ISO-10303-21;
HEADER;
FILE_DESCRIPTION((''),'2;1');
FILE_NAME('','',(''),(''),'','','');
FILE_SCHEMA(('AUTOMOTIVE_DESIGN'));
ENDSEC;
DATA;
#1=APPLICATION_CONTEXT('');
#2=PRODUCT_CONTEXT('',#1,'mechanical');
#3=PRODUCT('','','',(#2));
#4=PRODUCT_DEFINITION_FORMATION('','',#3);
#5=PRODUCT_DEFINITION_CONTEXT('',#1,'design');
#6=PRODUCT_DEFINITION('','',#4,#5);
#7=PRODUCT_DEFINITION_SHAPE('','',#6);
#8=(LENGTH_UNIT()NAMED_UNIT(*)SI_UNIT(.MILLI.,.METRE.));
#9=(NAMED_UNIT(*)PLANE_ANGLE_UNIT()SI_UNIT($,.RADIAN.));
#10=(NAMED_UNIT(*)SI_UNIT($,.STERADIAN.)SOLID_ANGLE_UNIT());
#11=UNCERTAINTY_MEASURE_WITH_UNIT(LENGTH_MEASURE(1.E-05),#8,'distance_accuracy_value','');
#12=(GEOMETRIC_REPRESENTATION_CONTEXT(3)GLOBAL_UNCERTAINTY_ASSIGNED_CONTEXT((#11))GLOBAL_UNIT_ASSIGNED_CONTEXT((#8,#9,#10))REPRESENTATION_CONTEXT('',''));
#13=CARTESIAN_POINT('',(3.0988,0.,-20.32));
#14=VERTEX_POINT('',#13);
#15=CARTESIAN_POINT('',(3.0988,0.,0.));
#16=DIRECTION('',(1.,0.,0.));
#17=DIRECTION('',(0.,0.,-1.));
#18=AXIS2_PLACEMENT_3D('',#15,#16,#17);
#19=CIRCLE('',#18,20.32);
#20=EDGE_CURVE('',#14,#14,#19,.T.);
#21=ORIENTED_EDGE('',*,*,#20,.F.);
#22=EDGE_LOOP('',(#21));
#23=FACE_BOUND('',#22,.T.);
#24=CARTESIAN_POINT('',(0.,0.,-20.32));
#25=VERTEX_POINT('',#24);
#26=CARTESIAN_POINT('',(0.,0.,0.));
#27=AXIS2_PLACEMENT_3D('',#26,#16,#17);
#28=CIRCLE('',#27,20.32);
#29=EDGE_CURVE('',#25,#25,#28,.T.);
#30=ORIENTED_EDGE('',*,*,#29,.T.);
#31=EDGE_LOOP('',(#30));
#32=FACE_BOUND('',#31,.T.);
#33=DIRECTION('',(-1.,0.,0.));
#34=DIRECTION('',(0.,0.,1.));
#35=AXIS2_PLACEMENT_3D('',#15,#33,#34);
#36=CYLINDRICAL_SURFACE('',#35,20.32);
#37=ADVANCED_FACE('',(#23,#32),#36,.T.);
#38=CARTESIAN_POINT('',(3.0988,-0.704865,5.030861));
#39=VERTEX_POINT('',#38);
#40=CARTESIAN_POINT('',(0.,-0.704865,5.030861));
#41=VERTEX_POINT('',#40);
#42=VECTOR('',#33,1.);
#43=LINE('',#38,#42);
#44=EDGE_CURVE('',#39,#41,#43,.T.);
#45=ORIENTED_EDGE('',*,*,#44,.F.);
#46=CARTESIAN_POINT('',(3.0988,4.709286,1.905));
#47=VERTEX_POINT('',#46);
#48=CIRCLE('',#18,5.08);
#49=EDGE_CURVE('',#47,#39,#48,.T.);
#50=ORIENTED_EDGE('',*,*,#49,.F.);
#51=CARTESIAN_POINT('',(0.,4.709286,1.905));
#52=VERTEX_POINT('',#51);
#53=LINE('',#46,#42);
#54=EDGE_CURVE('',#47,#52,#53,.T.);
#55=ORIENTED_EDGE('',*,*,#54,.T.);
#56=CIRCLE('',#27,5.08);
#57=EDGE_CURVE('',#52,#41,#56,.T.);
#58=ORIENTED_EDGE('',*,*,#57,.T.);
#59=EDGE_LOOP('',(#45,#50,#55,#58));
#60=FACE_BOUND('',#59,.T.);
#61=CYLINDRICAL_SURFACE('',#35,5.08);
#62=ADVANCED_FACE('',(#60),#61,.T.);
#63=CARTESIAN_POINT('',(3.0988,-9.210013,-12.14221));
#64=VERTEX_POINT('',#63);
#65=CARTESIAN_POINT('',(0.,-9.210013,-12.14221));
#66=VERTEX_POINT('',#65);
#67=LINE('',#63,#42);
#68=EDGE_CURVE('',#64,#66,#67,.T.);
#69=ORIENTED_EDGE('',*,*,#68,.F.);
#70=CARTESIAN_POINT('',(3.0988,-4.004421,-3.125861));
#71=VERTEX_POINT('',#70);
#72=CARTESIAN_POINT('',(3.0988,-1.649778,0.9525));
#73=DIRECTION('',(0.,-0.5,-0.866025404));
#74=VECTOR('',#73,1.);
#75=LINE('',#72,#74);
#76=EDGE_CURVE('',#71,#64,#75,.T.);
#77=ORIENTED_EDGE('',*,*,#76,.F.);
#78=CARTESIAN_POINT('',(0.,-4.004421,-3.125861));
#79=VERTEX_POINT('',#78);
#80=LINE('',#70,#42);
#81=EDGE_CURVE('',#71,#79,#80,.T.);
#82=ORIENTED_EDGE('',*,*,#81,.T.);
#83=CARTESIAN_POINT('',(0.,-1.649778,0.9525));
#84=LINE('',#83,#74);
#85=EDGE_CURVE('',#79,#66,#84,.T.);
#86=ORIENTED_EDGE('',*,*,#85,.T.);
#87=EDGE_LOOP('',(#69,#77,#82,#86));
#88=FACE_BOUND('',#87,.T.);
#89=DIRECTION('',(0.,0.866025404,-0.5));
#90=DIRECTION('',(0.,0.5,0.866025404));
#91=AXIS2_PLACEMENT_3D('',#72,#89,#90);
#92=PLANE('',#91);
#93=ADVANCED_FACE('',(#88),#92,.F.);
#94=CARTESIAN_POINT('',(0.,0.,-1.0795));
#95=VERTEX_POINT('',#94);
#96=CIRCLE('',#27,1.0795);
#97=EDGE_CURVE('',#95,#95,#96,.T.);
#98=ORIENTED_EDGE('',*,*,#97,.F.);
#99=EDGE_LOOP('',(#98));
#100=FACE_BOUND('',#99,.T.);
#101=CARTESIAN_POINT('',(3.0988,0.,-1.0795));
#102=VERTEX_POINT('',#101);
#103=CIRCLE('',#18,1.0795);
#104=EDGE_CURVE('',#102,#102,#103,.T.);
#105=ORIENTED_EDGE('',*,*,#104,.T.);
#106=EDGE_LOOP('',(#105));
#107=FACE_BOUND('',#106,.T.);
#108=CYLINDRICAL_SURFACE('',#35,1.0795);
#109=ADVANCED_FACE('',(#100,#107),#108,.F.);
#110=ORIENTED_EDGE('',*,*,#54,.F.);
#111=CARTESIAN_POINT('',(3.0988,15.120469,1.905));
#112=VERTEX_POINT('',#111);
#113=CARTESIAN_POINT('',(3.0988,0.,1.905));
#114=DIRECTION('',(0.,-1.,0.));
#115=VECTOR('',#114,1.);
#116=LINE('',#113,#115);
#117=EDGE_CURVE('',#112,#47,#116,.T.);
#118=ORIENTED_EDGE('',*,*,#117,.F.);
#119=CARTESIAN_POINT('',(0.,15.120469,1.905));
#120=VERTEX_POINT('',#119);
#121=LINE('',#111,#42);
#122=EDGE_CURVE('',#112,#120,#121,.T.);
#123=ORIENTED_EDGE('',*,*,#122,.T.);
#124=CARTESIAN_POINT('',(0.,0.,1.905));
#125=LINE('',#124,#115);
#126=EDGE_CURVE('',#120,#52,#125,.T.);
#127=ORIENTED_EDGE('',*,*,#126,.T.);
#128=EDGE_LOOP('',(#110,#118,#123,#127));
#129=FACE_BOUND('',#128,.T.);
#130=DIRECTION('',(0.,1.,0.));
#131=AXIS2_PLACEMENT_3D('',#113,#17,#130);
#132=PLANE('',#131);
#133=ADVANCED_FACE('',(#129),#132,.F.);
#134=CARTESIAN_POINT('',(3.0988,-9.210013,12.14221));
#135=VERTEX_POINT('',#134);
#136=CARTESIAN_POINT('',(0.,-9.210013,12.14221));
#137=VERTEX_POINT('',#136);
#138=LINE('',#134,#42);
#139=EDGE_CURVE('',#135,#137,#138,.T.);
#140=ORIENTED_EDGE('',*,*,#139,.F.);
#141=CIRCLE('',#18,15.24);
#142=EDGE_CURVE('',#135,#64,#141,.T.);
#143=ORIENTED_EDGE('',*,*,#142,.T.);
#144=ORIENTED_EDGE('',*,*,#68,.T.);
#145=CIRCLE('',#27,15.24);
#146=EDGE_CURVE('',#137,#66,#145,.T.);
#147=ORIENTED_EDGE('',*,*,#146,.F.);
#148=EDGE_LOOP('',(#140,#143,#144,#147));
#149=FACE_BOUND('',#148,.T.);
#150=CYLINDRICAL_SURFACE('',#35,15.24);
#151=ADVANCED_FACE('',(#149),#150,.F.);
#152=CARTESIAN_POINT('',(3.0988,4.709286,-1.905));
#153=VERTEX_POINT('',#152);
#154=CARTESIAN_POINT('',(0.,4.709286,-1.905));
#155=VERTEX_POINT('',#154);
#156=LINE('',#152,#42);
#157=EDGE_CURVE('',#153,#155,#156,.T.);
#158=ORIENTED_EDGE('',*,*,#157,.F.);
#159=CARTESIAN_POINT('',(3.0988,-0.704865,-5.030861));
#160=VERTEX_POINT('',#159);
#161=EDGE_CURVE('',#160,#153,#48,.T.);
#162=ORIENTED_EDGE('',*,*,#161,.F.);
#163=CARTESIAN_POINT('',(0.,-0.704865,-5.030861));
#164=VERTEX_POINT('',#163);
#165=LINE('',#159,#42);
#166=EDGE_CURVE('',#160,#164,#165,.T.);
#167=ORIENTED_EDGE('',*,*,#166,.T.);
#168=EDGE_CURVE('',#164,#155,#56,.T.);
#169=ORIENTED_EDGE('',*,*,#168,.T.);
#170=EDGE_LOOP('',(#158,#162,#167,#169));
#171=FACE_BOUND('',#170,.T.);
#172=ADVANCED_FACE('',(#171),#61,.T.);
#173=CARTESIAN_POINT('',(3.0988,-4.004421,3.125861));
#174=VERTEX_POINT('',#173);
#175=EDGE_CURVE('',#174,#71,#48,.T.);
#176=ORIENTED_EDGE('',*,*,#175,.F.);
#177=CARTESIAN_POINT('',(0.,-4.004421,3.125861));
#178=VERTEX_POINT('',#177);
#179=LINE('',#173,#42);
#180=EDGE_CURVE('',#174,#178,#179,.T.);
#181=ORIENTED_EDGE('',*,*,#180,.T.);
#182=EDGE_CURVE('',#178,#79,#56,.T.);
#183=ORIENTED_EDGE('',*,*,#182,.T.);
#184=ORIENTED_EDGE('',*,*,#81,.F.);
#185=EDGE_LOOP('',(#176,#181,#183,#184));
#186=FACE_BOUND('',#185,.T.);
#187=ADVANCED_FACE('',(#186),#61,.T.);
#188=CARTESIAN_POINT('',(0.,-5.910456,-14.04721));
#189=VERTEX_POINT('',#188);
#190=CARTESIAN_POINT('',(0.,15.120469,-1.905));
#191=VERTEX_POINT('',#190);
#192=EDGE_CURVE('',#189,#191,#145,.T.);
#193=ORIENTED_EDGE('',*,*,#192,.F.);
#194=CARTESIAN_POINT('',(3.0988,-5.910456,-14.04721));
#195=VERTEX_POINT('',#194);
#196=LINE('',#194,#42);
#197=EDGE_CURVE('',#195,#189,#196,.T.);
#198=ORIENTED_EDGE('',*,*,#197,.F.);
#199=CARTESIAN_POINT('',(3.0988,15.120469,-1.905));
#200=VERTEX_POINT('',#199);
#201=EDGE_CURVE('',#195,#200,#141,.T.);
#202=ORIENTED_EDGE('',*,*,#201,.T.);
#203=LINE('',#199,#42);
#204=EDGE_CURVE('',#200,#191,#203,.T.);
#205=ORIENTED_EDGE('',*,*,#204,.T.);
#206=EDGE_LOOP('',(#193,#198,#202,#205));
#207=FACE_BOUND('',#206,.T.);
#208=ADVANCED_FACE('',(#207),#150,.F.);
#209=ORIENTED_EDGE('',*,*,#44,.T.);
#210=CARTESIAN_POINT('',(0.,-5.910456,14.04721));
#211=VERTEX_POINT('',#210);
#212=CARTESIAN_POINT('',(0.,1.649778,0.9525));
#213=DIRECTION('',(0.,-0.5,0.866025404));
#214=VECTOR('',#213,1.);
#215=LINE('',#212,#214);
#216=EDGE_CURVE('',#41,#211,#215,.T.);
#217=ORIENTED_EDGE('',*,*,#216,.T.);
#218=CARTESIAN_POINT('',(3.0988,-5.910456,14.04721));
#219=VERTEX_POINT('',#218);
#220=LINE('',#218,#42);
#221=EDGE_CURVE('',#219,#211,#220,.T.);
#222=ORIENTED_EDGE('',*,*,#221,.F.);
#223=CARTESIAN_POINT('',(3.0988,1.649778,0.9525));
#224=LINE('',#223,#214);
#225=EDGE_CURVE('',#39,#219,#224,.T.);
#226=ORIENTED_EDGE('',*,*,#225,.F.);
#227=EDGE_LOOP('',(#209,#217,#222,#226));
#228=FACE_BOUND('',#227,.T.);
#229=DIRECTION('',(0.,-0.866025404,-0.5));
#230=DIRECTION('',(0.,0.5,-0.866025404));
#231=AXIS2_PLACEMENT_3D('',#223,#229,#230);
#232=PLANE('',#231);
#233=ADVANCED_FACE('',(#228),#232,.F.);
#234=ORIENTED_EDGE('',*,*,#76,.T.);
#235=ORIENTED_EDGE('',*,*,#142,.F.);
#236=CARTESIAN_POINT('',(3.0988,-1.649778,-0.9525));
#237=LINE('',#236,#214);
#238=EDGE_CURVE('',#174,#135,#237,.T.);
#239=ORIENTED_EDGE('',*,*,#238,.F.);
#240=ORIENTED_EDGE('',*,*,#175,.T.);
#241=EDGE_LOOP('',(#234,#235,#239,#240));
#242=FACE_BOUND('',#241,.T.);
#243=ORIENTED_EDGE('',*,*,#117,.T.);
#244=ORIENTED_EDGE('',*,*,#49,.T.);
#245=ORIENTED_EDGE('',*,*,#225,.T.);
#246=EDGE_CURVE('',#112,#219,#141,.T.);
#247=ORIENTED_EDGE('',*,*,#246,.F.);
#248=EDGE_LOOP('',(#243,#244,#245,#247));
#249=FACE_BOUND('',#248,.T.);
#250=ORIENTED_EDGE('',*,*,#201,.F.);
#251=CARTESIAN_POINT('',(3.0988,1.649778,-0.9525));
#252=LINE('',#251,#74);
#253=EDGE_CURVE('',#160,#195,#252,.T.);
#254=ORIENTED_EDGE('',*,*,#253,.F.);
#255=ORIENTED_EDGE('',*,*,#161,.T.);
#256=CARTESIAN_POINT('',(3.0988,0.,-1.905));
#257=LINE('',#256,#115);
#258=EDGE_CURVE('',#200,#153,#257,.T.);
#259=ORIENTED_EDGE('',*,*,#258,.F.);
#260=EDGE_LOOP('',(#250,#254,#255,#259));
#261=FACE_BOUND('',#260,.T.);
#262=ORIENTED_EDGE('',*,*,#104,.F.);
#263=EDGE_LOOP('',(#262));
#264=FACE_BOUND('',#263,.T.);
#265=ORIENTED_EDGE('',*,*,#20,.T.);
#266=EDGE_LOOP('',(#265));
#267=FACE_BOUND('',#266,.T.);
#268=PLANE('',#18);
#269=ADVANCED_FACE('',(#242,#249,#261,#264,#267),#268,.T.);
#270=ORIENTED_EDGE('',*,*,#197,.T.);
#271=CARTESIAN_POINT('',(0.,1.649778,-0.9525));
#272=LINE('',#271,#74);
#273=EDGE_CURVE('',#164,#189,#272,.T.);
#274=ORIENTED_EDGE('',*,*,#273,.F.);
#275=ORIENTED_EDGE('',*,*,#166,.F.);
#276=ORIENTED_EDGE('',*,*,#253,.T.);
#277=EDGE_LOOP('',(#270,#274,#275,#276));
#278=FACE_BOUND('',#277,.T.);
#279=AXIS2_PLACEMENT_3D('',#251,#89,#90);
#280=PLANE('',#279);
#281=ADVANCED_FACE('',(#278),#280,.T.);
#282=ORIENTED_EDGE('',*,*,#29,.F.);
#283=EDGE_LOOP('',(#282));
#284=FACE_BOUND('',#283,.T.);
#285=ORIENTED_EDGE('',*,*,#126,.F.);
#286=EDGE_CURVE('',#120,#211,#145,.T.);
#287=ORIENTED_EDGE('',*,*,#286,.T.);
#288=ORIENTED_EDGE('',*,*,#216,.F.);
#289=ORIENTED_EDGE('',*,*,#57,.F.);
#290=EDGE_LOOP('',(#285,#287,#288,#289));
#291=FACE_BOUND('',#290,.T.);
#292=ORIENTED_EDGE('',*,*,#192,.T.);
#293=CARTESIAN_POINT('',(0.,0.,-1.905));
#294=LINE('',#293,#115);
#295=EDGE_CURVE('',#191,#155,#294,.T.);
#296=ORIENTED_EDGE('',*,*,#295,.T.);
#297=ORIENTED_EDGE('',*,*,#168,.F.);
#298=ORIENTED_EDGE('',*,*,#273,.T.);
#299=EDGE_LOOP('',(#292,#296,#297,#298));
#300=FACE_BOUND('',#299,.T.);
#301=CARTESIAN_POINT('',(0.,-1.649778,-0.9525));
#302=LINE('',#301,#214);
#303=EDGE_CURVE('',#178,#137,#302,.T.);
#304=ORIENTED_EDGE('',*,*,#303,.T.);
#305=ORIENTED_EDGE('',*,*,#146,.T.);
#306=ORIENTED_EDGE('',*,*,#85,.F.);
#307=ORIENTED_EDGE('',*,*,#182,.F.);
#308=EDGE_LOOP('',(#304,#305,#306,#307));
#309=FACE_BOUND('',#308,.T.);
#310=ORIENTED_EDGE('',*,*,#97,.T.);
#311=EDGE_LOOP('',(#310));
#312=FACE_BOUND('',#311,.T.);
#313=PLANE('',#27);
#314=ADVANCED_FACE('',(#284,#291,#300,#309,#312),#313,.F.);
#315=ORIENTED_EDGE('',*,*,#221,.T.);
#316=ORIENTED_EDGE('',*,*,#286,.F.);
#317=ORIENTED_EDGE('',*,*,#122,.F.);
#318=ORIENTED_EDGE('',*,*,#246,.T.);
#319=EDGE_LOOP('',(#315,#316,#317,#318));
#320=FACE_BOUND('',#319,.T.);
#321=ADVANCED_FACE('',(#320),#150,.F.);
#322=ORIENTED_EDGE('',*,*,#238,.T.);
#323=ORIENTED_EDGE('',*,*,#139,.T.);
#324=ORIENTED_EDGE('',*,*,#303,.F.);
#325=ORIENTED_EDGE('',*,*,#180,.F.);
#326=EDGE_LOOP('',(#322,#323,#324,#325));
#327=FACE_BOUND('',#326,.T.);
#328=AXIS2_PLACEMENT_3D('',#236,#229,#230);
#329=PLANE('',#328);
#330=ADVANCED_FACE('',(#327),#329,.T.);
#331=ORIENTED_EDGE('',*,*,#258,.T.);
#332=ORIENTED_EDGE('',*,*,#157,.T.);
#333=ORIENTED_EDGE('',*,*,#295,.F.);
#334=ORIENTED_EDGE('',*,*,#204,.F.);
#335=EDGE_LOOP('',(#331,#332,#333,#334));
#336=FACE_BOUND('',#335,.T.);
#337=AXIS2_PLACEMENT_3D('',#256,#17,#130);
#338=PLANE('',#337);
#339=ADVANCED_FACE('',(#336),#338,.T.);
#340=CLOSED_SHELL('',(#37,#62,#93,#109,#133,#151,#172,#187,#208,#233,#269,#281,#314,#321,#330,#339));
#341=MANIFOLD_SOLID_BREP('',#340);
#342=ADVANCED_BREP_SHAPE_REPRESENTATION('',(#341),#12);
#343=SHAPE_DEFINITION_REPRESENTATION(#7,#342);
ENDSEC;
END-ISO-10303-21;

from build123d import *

# Parameters (mm, degrees)
SKETCH2_R           = 20.32
SKETCH2_R_2         = 1.0795
BOSS_EXTRUDE5_DEPTH = 3.0988


with BuildPart() as part:
    # Sketch2 → Boss-Extrude5 (new body)
    with BuildSketch(Plane(origin=(0, 0, 0), x_dir=(0, 0, -1), z_dir=(1, 0, 0))):
        Circle(SKETCH2_R)
        with BuildLine():
            Line((-12.142210048, -9.210012766), (-3.125861344, -4.004421414))
            ThreePointArc((-3.125861344, -4.004421414), (0, -5.08), (3.125861344, -4.004421414))
            Line((3.125861344, -4.004421414), (12.142210048, -9.210012766))
            ThreePointArc((12.142210048, -9.210012766), (0, -15.24), (-12.142210048, -9.210012766))
        make_face(mode=Mode.SUBTRACT)
        with BuildLine():
            ThreePointArc((-14.047210048, -5.910455977), (-13.198227154, 7.62), (-1.905, 15.120468743))
            Line((-1.905, 15.120468743), (-1.905, 4.709286039))
            ThreePointArc((-1.905, 4.709286039), (-4.399409051, 2.54), (-5.030861344, -0.704864625))
            Line((-5.030861344, -0.704864625), (-14.047210048, -5.910455977))
        make_face(mode=Mode.SUBTRACT)
        Circle(SKETCH2_R_2, mode=Mode.SUBTRACT)
        with BuildLine():
            Line((1.905, 4.709286039), (1.905, 15.120468743))
            ThreePointArc((1.905, 15.120468743), (13.198227154, 7.62), (14.047210048, -5.910455977))
            Line((14.047210048, -5.910455977), (5.030861344, -0.704864625))
            ThreePointArc((5.030861344, -0.704864625), (4.399409051, 2.54), (1.905, 4.709286039))
        make_face(mode=Mode.SUBTRACT)
    extrude(amount=BOSS_EXTRUDE5_DEPTH)


solid = part.part
